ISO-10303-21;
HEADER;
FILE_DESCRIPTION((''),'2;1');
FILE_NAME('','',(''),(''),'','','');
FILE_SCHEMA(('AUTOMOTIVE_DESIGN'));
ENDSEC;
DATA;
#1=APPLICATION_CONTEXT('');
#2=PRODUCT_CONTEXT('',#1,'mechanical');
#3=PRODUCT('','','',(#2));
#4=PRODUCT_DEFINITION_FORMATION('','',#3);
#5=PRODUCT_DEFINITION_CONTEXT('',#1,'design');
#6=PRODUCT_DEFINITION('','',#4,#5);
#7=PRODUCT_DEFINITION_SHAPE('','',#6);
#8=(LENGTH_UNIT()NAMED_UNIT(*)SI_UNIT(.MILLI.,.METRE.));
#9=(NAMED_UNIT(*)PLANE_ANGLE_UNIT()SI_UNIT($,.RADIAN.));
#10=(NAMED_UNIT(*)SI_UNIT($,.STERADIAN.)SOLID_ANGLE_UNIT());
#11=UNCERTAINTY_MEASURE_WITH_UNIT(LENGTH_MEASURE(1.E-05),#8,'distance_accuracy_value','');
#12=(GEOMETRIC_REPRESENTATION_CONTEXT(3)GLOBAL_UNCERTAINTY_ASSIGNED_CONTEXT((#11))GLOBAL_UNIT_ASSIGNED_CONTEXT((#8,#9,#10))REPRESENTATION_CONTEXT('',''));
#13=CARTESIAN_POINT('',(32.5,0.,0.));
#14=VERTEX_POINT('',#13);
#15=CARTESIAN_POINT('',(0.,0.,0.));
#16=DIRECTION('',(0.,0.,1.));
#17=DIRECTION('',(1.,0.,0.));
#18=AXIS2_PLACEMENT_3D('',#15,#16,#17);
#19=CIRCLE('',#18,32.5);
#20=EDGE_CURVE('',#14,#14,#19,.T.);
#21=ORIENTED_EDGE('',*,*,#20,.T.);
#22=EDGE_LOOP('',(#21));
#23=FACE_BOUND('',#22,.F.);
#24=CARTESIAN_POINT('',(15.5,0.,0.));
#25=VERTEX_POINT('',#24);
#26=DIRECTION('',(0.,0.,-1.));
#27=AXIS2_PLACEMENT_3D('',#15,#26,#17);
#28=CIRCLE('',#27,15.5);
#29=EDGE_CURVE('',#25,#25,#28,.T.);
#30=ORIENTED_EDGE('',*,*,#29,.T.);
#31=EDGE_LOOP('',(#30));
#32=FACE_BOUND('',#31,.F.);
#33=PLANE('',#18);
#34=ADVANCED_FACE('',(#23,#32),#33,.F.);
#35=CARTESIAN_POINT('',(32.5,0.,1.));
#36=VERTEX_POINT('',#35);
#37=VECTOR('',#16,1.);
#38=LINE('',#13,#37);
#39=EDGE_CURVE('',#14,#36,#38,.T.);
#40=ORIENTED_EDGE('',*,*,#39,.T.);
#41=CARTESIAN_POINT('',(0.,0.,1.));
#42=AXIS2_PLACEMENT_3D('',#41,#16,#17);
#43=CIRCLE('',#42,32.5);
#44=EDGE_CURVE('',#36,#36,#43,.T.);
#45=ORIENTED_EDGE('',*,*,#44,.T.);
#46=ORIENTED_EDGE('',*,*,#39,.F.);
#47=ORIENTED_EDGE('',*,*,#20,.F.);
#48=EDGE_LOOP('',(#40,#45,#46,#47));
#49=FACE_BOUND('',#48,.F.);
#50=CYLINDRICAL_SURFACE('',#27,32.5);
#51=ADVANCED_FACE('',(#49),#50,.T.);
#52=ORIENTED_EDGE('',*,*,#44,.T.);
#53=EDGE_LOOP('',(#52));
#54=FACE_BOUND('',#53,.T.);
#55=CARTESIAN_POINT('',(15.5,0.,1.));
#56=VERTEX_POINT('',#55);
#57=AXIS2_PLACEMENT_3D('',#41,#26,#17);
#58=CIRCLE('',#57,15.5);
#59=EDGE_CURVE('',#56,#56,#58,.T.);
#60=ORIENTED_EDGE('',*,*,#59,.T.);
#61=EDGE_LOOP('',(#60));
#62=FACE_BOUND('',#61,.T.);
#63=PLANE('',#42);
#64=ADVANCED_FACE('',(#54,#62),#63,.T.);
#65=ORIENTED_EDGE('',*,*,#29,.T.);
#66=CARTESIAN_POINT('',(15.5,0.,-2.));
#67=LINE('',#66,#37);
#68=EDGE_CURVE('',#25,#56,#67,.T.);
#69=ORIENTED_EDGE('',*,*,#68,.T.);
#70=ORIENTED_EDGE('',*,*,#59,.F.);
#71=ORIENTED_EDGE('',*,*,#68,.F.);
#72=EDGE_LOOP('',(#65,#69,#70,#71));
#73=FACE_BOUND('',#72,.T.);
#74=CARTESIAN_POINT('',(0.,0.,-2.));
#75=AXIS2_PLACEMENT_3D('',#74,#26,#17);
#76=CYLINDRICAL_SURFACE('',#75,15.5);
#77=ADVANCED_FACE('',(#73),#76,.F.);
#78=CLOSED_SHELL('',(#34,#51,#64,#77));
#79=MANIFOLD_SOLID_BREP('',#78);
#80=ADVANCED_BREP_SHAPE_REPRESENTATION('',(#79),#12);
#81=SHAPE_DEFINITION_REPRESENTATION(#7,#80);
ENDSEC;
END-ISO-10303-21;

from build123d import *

# Parameters (mm, degrees)
CYLINDER_R        = 15.5
CYLINDER_DEPTH    = 10
CYLINDER001_R     = 32.5
CYLINDER001_DEPTH = 1


with BuildPart() as cylinder:
    # Cylinder → Cylinder (new body)
    with BuildSketch(Plane.XY.offset(-2)):
        Circle(CYLINDER_R)
    extrude(amount=CYLINDER_DEPTH)


with BuildPart() as cut:
    # Cylinder001 → Cylinder001 (new body)
    with BuildSketch(Plane.XY):
        Circle(CYLINDER001_R)
    extrude(amount=CYLINDER001_DEPTH)

    # Cut: cut Cylinder
    add(cylinder.part, mode=Mode.SUBTRACT)


solid = cut.part
